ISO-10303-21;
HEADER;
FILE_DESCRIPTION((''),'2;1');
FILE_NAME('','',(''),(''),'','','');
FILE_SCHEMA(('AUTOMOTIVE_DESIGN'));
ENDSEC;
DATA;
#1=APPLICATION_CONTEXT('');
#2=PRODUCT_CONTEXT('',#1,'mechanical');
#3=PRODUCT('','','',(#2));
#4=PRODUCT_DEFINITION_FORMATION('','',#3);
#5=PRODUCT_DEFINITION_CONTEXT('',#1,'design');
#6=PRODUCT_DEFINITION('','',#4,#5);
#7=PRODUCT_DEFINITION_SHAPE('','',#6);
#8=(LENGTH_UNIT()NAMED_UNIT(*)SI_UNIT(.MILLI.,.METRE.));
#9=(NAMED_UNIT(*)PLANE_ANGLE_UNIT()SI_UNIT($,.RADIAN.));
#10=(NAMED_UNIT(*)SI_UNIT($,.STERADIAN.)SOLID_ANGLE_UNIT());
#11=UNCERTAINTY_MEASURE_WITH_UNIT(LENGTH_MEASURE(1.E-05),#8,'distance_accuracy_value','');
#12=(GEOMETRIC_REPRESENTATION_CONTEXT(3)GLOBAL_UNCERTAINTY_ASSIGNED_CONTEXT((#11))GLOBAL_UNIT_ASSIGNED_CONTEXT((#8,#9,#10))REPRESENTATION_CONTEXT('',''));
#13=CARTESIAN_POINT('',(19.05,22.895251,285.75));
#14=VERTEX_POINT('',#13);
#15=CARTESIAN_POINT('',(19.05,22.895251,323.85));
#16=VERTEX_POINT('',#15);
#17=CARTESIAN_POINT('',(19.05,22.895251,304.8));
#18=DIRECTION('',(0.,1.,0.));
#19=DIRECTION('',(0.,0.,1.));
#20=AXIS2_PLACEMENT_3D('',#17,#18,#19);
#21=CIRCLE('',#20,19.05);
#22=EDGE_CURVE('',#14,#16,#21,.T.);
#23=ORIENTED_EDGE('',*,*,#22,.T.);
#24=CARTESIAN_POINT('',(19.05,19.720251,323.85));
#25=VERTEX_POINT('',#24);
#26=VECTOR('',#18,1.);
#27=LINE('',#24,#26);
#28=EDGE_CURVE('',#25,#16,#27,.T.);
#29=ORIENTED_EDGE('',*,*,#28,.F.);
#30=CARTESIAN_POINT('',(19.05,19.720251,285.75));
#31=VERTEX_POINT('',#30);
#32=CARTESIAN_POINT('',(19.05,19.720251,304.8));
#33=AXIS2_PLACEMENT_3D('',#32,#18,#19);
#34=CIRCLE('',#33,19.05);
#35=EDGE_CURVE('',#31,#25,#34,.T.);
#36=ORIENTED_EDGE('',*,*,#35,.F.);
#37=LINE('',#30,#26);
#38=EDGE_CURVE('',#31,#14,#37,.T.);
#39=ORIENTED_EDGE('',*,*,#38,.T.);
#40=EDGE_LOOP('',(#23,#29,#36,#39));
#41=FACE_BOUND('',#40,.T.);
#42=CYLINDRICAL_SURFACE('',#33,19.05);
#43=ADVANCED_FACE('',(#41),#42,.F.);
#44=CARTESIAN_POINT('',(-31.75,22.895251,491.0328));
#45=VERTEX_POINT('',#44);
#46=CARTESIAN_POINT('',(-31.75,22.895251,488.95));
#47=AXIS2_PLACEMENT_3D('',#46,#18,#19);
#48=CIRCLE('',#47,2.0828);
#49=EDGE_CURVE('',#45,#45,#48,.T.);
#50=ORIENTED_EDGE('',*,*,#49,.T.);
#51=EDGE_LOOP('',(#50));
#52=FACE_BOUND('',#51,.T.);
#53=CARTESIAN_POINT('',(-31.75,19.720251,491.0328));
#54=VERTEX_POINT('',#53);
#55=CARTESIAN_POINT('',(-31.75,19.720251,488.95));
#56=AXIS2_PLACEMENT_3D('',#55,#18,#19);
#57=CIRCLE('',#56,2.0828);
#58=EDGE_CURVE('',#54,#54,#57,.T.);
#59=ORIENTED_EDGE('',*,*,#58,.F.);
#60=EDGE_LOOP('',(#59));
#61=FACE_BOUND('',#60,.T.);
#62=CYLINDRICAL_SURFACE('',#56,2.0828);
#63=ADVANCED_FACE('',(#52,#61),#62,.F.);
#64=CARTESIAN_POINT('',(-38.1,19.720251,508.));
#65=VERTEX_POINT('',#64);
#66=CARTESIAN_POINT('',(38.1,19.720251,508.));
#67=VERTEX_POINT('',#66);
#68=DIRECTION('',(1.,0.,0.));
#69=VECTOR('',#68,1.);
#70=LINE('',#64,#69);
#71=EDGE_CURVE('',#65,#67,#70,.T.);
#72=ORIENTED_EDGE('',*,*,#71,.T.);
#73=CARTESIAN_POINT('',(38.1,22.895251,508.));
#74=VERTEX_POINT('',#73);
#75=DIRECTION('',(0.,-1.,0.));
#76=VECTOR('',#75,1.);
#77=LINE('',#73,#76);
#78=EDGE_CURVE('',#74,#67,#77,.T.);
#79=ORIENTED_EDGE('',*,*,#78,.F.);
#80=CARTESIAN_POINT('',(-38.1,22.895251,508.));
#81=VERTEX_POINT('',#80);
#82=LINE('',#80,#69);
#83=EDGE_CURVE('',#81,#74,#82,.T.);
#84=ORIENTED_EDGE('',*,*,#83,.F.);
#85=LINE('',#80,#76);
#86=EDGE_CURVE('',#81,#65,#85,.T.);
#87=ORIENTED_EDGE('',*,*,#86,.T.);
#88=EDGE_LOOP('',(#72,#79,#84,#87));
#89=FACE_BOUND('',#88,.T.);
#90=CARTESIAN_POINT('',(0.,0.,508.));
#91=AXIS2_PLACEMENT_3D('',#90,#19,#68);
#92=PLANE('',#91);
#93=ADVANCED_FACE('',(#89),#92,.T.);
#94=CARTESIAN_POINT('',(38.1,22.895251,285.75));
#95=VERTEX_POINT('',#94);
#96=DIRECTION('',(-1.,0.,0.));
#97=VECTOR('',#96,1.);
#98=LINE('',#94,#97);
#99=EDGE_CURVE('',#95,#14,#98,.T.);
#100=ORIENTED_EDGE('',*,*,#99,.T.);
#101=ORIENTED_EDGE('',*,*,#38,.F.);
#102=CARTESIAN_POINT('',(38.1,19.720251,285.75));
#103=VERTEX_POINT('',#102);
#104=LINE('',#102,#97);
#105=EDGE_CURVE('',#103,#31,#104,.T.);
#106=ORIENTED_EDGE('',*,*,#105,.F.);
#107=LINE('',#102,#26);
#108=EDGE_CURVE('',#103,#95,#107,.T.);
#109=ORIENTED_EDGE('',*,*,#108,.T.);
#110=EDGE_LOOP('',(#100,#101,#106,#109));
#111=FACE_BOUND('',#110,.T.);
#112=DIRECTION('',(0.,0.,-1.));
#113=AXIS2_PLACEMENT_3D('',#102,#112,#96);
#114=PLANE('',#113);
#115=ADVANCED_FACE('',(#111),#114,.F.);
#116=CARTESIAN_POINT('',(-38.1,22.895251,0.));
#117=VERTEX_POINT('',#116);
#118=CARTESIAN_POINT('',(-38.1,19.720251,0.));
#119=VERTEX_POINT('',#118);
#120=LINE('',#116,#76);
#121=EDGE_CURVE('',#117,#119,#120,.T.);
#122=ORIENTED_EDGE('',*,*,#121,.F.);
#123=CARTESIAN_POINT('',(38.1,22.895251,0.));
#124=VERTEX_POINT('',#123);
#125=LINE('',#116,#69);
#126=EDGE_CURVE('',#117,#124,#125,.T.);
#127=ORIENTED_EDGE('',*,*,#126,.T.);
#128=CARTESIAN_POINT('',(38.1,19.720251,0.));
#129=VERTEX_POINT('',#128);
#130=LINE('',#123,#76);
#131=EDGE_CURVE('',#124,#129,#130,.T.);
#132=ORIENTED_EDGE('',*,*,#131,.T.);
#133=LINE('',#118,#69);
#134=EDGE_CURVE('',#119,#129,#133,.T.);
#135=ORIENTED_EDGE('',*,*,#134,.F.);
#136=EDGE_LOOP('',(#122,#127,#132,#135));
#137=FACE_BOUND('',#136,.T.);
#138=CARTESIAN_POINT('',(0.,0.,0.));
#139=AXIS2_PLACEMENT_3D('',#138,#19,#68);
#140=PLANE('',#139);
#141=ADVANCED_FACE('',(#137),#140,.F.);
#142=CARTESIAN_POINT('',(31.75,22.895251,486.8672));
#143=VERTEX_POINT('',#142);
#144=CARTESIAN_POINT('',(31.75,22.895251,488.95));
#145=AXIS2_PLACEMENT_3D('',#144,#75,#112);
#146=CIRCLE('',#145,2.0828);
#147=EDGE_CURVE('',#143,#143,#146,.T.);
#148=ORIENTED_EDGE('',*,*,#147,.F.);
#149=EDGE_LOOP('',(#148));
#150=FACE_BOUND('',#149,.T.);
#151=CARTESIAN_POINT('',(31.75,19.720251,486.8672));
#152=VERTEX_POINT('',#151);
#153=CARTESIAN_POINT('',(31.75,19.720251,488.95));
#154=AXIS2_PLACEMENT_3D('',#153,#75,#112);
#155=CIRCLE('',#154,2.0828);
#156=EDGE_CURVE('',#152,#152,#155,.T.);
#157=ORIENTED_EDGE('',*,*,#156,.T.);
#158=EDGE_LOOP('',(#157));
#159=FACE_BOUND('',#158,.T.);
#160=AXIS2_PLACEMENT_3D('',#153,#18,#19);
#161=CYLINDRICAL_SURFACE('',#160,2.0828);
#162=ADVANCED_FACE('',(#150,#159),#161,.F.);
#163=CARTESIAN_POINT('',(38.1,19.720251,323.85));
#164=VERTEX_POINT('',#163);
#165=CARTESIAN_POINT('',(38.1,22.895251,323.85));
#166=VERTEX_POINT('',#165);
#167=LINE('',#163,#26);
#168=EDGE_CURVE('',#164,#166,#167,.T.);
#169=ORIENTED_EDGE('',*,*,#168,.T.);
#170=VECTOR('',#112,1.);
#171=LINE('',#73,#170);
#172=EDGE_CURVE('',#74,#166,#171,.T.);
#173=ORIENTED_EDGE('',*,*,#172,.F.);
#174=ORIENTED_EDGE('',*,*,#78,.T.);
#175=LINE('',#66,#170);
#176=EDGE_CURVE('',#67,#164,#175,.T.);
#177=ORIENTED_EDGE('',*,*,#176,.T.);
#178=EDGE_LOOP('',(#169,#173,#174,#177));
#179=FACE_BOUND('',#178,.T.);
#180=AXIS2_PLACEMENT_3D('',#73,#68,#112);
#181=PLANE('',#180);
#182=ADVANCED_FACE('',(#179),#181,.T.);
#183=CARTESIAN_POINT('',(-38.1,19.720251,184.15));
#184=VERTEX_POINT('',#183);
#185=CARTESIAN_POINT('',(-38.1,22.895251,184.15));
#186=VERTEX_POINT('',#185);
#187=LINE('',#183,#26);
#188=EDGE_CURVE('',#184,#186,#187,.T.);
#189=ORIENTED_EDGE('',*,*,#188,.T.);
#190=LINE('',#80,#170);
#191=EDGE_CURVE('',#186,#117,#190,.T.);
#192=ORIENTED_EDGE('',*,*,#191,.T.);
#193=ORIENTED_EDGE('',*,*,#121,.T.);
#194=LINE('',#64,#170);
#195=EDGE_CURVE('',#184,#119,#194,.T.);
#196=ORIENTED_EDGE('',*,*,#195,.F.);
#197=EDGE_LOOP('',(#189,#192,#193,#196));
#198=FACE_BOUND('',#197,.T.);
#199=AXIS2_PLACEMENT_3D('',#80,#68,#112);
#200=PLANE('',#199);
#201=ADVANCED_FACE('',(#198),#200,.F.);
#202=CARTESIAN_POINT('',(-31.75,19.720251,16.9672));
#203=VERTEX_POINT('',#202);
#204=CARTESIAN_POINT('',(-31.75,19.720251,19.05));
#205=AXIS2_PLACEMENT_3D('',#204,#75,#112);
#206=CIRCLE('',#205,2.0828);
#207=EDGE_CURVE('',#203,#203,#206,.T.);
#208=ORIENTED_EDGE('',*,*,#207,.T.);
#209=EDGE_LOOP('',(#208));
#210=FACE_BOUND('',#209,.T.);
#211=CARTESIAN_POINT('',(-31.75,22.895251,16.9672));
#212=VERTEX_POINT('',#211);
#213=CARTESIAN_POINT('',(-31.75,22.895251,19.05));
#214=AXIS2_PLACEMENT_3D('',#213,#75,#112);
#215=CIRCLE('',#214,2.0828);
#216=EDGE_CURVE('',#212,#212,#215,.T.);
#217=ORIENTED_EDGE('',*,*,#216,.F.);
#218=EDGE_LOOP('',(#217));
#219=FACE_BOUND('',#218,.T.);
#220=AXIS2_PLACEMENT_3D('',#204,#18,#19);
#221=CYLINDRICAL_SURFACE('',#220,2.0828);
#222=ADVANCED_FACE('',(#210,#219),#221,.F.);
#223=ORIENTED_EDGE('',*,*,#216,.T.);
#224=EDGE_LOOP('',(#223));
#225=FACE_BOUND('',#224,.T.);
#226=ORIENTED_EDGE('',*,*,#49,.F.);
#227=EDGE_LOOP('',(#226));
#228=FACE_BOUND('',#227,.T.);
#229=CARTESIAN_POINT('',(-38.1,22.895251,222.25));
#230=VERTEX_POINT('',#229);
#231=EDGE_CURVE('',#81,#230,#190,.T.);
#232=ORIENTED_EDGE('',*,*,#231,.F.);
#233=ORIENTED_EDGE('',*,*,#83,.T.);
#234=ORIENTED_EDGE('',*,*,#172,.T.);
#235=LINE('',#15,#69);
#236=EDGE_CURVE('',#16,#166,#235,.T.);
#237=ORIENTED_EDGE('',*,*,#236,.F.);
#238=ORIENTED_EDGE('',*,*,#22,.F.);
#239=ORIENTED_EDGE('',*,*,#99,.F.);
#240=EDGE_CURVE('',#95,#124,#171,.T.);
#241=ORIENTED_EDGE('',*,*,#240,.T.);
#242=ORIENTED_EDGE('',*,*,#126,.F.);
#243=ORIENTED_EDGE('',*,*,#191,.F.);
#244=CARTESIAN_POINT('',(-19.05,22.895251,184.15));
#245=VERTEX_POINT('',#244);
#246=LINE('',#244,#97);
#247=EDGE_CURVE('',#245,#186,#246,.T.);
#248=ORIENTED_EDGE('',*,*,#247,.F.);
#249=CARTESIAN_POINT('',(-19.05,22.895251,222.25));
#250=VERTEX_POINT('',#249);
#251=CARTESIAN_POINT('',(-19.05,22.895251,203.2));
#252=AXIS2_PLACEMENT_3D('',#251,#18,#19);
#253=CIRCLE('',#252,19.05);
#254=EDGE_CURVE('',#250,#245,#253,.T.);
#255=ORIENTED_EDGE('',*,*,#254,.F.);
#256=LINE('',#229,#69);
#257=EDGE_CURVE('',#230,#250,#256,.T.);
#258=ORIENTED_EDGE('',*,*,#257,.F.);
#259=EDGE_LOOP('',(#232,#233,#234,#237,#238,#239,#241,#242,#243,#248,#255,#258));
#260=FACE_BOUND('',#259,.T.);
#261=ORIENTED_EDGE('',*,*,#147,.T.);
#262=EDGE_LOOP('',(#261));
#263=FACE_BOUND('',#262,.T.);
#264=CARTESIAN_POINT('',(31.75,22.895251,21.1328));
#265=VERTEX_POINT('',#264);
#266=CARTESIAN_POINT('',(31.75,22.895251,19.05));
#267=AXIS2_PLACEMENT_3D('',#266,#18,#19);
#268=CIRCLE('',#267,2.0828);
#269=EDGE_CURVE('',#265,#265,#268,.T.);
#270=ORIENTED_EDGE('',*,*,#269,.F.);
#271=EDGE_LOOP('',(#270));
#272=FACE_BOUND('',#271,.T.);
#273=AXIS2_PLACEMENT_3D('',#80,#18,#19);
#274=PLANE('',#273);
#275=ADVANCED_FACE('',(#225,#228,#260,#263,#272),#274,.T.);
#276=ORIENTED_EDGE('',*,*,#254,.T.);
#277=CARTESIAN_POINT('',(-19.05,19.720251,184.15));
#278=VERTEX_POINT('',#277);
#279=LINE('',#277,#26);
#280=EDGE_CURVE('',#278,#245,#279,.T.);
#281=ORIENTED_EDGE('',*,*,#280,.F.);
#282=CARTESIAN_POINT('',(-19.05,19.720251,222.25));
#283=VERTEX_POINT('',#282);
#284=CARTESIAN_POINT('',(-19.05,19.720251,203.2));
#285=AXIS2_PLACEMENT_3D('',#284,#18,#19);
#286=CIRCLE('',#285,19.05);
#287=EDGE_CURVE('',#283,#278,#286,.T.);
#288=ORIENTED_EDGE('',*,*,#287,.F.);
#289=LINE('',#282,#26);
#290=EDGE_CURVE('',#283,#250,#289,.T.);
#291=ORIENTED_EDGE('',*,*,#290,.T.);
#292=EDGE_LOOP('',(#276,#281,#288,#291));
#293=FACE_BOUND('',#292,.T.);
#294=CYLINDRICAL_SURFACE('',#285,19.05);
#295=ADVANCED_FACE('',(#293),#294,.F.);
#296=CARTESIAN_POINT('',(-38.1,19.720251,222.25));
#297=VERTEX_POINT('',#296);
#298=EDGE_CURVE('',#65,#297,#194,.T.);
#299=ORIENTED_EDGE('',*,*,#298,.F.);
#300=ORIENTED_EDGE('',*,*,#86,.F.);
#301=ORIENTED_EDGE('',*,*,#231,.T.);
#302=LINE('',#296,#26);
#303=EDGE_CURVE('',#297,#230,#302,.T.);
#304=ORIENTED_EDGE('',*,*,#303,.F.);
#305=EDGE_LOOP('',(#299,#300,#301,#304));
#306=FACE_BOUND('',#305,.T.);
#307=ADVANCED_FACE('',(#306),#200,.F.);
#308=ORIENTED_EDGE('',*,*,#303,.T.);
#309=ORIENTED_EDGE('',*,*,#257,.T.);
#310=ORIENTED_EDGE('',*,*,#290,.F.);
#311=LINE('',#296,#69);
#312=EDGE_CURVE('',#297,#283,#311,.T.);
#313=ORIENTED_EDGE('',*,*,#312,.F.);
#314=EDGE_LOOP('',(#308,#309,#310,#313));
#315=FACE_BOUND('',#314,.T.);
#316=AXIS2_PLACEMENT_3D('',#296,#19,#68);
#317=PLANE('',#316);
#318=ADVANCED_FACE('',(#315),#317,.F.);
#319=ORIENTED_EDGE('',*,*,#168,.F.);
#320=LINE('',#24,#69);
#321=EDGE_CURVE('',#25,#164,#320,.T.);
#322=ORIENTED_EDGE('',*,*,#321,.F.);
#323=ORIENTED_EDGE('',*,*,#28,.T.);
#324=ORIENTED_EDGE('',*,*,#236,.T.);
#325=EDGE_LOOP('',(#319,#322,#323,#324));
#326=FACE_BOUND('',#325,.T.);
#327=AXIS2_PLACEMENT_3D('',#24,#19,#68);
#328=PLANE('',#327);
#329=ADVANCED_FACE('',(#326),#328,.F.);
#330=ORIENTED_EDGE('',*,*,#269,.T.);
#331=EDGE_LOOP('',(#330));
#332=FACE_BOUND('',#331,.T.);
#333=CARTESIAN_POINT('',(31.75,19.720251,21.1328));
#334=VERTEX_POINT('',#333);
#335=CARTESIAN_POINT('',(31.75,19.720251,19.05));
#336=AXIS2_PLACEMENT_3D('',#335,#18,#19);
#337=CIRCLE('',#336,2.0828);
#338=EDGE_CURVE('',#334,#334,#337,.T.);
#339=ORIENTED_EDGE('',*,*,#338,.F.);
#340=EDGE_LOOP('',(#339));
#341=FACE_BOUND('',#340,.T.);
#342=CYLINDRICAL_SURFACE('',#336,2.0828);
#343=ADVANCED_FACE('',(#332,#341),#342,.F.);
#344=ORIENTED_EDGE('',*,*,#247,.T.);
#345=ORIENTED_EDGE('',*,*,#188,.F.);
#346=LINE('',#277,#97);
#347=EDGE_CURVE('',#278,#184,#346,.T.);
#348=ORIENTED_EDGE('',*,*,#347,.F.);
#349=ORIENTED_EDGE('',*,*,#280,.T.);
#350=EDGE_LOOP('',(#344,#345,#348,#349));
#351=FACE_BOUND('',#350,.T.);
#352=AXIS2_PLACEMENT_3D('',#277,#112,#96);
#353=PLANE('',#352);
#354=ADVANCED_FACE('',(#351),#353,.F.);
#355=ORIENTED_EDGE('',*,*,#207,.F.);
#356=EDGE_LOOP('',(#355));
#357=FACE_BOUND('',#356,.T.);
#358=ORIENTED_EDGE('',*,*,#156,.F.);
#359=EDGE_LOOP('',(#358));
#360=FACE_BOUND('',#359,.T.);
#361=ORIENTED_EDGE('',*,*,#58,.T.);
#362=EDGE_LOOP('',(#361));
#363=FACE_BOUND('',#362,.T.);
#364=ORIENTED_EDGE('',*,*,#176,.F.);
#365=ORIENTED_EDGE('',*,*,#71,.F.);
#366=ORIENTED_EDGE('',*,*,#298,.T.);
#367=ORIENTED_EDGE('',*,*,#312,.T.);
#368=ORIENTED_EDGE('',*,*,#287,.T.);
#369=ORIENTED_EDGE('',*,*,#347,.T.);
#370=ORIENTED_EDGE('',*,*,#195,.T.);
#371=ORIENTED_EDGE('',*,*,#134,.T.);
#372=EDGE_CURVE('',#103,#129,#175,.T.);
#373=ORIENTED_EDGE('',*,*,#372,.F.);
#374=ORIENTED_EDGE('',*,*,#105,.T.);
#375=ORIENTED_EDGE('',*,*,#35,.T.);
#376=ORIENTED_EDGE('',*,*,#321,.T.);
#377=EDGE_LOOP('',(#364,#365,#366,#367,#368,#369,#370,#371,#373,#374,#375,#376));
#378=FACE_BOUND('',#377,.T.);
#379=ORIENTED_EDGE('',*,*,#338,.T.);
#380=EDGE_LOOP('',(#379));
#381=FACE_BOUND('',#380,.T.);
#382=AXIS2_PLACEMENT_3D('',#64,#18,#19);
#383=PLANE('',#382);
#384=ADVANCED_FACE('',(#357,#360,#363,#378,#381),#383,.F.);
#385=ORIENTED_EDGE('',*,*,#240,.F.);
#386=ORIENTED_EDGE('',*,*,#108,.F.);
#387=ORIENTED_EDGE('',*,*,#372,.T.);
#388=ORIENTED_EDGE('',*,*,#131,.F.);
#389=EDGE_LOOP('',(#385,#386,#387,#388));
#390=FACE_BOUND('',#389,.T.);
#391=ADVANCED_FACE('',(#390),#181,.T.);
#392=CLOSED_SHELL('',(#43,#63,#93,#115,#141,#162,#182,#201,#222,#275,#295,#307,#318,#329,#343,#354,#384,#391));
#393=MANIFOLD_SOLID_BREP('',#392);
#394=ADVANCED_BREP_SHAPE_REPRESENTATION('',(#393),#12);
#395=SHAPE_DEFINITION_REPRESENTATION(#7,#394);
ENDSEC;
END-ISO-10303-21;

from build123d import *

# Parameters (mm, degrees)
SKETCH1_W           = 76.2
SKETCH1_H           = 3.175
BOSS_EXTRUDE1_DEPTH = 508
CUT_EXTRUDE1_DEPTH  = 4.175
SKETCH4_R           = 2.0828
CUT_EXTRUDE2_DEPTH  = 4.175


with BuildPart() as part:
    # Sketch1 → Boss-Extrude1 (new body)
    with BuildSketch(Plane.XY):
        with Locations((0, 21.307750599)):
            Rectangle(SKETCH1_W, SKETCH1_H)
    extrude(amount=BOSS_EXTRUDE1_DEPTH)

    # Sketch2 → Cut-Extrude1 (cut, through all)
    with BuildSketch(Plane(origin=(0, 22.895250599, 0), x_dir=(1, 0, 0), z_dir=(0, 1, 0))):
        with BuildLine():
            Line((-19.05, -184.15), (-38.1, -184.15))
            Line((-38.1, -184.15), (-38.1, -222.25))
            Line((-38.1, -222.25), (-19.05, -222.25))
            ThreePointArc((-19.05, -222.25), (0, -203.2), (-19.05, -184.15))
        make_face()
        with BuildLine():
            Line((19.05, -323.85), (38.1, -323.85))
            Line((38.1, -323.85), (38.1, -285.75))
            Line((38.1, -285.75), (19.05, -285.75))
            ThreePointArc((19.05, -285.75), (0, -304.8), (19.05, -323.85))
        make_face()
    extrude(amount=-CUT_EXTRUDE1_DEPTH, mode=Mode.SUBTRACT)

    # Sketch4 → Cut-Extrude2 (cut, through all)
    with BuildSketch(Plane(origin=(0, 22.895250599, 0), x_dir=(1, 0, 0), z_dir=(0, 1, 0))):
        with Locations((-31.75, -488.95)):
            Circle(SKETCH4_R)
        with Locations((31.75, -19.05)):
            Circle(SKETCH4_R)
    cut_extrude2 = extrude(amount=-CUT_EXTRUDE2_DEPTH, mode=Mode.SUBTRACT)

    # Mirror2: Cut-Extrude2 across plane
    add(cut_extrude2.mirror(Plane.XY.offset(254)), mode=Mode.SUBTRACT)


solid = part.part
